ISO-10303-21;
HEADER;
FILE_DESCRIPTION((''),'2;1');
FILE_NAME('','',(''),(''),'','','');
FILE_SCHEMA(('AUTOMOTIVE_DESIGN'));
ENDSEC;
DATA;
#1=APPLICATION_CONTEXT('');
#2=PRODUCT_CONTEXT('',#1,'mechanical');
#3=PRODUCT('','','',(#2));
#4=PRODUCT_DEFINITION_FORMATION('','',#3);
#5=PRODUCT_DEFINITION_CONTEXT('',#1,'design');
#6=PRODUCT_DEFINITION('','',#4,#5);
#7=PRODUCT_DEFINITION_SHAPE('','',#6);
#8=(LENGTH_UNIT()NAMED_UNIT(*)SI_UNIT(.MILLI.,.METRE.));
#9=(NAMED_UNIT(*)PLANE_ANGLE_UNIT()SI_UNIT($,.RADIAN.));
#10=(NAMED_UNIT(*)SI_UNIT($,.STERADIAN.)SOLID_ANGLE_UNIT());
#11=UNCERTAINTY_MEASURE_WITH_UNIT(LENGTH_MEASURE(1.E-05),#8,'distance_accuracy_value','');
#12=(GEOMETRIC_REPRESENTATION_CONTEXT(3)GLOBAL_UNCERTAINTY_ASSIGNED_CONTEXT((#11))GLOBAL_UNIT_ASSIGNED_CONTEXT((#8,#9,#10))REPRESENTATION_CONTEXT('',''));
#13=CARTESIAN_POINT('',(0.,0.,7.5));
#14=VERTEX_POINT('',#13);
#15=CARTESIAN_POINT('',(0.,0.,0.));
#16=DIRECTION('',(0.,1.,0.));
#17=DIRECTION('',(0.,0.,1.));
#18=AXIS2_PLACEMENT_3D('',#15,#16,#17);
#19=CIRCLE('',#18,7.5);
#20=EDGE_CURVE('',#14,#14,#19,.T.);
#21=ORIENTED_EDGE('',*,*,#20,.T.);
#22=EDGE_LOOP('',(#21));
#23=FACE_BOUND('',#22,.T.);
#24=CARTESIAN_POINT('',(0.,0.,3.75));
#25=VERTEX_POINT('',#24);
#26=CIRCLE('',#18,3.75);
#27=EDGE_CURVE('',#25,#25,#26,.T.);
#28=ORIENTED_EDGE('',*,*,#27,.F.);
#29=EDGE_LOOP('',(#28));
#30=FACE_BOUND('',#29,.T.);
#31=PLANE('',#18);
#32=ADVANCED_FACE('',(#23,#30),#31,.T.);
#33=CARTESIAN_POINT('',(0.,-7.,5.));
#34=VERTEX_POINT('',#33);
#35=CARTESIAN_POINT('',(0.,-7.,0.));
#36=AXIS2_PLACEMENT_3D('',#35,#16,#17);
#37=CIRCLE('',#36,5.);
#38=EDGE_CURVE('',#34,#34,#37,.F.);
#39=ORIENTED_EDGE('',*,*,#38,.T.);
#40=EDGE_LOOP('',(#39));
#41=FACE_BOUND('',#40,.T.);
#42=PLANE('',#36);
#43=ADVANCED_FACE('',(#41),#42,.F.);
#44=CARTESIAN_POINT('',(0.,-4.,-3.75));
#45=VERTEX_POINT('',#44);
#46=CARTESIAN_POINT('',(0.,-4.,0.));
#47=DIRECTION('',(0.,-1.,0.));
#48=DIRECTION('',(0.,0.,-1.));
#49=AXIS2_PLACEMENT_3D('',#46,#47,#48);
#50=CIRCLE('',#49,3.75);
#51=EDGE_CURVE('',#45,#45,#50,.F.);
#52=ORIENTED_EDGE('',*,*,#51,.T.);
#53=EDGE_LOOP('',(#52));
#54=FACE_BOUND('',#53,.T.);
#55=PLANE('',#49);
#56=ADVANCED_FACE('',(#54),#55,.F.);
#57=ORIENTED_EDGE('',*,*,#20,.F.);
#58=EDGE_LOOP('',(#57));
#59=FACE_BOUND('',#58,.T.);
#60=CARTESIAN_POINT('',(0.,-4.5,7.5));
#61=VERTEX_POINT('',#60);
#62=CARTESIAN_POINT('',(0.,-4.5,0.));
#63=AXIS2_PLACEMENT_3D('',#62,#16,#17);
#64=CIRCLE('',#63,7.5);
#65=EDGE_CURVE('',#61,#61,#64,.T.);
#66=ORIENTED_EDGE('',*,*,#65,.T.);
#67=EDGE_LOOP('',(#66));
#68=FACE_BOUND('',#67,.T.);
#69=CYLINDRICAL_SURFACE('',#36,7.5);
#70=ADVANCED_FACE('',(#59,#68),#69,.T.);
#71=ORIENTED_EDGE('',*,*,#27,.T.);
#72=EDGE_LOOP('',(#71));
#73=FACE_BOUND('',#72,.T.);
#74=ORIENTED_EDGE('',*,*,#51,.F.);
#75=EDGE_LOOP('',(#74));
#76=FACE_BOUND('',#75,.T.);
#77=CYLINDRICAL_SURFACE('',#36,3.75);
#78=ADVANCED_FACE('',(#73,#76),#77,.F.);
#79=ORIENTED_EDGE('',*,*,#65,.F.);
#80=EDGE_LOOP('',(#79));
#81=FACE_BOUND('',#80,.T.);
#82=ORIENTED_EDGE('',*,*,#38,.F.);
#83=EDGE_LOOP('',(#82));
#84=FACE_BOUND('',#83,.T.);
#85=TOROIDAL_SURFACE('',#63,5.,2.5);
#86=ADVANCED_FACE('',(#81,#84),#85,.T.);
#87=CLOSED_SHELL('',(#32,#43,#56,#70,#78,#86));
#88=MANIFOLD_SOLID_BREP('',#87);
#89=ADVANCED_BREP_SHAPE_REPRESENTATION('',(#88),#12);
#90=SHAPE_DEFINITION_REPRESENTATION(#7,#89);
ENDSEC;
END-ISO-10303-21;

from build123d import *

# Parameters (mm, degrees)
SKETCH_1_R      = 7.5
SKETCH_1_R_2    = 3.75
EXTRUDE_1_DEPTH = 7
SKETCH_2_R      = 6
EXTRUDE_2_DEPTH = 3
FILLET_1_R      = 2.5


with BuildPart() as part:
    # Эскиз1 → Бобышка-Вытянуть1 (new body)
    with BuildSketch(Plane(origin=(0, 0, 0), x_dir=(1, 0, 0), z_dir=(0, 1, 0))):
        Circle(SKETCH_1_R)
        Circle(SKETCH_1_R_2, mode=Mode.SUBTRACT)
    extrude(amount=-EXTRUDE_1_DEPTH)

    # Эскиз2 → Бобышка-Вытянуть2 (add)
    with BuildSketch(Plane(origin=(0, -7, 0), x_dir=(-1, 0, 0), z_dir=(0, -1, 0))):
        Circle(SKETCH_2_R)
    extrude(amount=-EXTRUDE_2_DEPTH)

    # Скругление1
    fillet_1_edges = [part.edges().sort_by_distance(p)[0] for p in [
        (-7.5, -7, 0),
    ]]
    fillet(fillet_1_edges, radius=FILLET_1_R)


solid = part.part
